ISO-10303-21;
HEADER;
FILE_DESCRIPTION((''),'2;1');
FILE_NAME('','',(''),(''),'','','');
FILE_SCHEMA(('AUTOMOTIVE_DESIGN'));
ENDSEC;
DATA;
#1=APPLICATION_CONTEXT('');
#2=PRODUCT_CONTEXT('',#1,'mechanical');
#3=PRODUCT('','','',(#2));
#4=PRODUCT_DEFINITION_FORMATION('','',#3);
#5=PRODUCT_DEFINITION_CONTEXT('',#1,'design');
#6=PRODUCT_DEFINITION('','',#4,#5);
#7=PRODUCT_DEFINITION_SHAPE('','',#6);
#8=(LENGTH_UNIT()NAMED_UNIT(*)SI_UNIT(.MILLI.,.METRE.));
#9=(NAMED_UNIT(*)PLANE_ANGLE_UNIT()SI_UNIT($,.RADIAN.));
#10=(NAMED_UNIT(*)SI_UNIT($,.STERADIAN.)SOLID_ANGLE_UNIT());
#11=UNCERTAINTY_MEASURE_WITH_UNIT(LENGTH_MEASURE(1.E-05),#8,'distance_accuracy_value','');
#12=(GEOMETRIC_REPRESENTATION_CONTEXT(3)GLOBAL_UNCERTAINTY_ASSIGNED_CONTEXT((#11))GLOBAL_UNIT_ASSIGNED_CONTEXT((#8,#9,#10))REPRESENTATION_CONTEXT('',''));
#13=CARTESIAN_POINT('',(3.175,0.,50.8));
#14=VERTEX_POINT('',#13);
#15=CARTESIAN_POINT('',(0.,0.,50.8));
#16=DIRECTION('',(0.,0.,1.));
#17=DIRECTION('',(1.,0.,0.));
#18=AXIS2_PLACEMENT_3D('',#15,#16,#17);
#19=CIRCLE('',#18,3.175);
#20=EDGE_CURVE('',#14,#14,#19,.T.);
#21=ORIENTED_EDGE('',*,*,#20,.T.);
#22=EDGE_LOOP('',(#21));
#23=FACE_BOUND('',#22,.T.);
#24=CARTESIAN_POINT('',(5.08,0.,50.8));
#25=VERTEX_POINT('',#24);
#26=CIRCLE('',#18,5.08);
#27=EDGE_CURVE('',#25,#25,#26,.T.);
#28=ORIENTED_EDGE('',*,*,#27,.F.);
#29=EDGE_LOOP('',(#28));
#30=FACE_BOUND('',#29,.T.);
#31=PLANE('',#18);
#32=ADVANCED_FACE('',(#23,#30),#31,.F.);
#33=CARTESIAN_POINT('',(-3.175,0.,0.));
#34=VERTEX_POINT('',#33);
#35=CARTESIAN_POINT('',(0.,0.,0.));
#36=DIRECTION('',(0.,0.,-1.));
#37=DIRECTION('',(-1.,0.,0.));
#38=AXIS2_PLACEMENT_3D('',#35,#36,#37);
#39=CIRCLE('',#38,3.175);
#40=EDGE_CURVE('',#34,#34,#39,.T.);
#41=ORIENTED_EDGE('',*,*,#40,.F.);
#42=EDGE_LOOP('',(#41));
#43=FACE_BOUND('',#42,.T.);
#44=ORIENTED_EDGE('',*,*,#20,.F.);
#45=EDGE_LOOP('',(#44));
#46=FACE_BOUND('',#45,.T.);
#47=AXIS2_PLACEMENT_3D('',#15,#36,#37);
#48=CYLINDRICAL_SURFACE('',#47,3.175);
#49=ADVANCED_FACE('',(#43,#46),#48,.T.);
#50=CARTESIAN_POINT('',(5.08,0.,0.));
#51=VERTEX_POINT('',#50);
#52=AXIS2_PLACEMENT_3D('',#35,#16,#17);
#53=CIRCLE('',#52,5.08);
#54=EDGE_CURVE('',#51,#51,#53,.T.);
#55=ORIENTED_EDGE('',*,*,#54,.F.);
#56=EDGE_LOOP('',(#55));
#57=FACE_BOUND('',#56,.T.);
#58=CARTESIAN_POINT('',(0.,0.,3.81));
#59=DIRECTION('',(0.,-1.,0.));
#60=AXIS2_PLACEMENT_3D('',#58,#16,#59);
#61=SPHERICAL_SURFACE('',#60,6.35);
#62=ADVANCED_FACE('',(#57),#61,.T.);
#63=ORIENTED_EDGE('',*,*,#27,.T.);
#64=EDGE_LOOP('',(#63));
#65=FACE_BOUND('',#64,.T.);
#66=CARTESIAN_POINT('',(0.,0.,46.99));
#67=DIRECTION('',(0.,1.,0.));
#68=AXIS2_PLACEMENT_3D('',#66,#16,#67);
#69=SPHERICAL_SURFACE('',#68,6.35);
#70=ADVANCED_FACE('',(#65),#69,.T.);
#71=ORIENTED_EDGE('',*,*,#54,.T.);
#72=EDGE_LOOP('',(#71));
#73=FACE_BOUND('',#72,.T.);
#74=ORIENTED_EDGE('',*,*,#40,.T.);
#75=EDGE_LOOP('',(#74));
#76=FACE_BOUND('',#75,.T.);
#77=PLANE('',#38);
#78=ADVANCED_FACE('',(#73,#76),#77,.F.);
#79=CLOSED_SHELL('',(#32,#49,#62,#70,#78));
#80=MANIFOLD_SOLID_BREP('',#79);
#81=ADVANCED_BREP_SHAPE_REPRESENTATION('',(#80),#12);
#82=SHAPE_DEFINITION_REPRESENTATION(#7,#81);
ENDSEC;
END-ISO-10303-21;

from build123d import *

# Parameters (mm, degrees)
SKETCH2_R           = 3.175
BOSS_EXTRUDE1_DEPTH = 50.8


with BuildPart() as part:
    # Sketch2 → Boss-Extrude1 (new body)
    with BuildSketch(Plane.XY):
        Circle(SKETCH2_R)
    extrude(amount=BOSS_EXTRUDE1_DEPTH)

    # Sketch6 → Revolve2 (revolve)
    with BuildSketch(Plane(origin=(0, 0, 0), x_dir=(0, 0, -1), z_dir=(1, 0, 0))):
        with BuildLine():
            Line((-50.8, 0), (-50.8, 5.08))
            ThreePointArc((-50.8, 5.08), (-52.669612663, 2.839806331), (-53.34, 0))
            Line((-53.34, 0), (-50.8, 0))
        make_face()
        with BuildLine():
            Line((0, 0), (2.54, 0))
            ThreePointArc((2.54, 0), (1.869612663, 2.839806331), (0, 5.08))
            Line((0, 5.08), (0, 0))
        make_face()
    revolve(axis=Axis((0, 0, 50.8), (0, 0, -1)))


solid = part.part
